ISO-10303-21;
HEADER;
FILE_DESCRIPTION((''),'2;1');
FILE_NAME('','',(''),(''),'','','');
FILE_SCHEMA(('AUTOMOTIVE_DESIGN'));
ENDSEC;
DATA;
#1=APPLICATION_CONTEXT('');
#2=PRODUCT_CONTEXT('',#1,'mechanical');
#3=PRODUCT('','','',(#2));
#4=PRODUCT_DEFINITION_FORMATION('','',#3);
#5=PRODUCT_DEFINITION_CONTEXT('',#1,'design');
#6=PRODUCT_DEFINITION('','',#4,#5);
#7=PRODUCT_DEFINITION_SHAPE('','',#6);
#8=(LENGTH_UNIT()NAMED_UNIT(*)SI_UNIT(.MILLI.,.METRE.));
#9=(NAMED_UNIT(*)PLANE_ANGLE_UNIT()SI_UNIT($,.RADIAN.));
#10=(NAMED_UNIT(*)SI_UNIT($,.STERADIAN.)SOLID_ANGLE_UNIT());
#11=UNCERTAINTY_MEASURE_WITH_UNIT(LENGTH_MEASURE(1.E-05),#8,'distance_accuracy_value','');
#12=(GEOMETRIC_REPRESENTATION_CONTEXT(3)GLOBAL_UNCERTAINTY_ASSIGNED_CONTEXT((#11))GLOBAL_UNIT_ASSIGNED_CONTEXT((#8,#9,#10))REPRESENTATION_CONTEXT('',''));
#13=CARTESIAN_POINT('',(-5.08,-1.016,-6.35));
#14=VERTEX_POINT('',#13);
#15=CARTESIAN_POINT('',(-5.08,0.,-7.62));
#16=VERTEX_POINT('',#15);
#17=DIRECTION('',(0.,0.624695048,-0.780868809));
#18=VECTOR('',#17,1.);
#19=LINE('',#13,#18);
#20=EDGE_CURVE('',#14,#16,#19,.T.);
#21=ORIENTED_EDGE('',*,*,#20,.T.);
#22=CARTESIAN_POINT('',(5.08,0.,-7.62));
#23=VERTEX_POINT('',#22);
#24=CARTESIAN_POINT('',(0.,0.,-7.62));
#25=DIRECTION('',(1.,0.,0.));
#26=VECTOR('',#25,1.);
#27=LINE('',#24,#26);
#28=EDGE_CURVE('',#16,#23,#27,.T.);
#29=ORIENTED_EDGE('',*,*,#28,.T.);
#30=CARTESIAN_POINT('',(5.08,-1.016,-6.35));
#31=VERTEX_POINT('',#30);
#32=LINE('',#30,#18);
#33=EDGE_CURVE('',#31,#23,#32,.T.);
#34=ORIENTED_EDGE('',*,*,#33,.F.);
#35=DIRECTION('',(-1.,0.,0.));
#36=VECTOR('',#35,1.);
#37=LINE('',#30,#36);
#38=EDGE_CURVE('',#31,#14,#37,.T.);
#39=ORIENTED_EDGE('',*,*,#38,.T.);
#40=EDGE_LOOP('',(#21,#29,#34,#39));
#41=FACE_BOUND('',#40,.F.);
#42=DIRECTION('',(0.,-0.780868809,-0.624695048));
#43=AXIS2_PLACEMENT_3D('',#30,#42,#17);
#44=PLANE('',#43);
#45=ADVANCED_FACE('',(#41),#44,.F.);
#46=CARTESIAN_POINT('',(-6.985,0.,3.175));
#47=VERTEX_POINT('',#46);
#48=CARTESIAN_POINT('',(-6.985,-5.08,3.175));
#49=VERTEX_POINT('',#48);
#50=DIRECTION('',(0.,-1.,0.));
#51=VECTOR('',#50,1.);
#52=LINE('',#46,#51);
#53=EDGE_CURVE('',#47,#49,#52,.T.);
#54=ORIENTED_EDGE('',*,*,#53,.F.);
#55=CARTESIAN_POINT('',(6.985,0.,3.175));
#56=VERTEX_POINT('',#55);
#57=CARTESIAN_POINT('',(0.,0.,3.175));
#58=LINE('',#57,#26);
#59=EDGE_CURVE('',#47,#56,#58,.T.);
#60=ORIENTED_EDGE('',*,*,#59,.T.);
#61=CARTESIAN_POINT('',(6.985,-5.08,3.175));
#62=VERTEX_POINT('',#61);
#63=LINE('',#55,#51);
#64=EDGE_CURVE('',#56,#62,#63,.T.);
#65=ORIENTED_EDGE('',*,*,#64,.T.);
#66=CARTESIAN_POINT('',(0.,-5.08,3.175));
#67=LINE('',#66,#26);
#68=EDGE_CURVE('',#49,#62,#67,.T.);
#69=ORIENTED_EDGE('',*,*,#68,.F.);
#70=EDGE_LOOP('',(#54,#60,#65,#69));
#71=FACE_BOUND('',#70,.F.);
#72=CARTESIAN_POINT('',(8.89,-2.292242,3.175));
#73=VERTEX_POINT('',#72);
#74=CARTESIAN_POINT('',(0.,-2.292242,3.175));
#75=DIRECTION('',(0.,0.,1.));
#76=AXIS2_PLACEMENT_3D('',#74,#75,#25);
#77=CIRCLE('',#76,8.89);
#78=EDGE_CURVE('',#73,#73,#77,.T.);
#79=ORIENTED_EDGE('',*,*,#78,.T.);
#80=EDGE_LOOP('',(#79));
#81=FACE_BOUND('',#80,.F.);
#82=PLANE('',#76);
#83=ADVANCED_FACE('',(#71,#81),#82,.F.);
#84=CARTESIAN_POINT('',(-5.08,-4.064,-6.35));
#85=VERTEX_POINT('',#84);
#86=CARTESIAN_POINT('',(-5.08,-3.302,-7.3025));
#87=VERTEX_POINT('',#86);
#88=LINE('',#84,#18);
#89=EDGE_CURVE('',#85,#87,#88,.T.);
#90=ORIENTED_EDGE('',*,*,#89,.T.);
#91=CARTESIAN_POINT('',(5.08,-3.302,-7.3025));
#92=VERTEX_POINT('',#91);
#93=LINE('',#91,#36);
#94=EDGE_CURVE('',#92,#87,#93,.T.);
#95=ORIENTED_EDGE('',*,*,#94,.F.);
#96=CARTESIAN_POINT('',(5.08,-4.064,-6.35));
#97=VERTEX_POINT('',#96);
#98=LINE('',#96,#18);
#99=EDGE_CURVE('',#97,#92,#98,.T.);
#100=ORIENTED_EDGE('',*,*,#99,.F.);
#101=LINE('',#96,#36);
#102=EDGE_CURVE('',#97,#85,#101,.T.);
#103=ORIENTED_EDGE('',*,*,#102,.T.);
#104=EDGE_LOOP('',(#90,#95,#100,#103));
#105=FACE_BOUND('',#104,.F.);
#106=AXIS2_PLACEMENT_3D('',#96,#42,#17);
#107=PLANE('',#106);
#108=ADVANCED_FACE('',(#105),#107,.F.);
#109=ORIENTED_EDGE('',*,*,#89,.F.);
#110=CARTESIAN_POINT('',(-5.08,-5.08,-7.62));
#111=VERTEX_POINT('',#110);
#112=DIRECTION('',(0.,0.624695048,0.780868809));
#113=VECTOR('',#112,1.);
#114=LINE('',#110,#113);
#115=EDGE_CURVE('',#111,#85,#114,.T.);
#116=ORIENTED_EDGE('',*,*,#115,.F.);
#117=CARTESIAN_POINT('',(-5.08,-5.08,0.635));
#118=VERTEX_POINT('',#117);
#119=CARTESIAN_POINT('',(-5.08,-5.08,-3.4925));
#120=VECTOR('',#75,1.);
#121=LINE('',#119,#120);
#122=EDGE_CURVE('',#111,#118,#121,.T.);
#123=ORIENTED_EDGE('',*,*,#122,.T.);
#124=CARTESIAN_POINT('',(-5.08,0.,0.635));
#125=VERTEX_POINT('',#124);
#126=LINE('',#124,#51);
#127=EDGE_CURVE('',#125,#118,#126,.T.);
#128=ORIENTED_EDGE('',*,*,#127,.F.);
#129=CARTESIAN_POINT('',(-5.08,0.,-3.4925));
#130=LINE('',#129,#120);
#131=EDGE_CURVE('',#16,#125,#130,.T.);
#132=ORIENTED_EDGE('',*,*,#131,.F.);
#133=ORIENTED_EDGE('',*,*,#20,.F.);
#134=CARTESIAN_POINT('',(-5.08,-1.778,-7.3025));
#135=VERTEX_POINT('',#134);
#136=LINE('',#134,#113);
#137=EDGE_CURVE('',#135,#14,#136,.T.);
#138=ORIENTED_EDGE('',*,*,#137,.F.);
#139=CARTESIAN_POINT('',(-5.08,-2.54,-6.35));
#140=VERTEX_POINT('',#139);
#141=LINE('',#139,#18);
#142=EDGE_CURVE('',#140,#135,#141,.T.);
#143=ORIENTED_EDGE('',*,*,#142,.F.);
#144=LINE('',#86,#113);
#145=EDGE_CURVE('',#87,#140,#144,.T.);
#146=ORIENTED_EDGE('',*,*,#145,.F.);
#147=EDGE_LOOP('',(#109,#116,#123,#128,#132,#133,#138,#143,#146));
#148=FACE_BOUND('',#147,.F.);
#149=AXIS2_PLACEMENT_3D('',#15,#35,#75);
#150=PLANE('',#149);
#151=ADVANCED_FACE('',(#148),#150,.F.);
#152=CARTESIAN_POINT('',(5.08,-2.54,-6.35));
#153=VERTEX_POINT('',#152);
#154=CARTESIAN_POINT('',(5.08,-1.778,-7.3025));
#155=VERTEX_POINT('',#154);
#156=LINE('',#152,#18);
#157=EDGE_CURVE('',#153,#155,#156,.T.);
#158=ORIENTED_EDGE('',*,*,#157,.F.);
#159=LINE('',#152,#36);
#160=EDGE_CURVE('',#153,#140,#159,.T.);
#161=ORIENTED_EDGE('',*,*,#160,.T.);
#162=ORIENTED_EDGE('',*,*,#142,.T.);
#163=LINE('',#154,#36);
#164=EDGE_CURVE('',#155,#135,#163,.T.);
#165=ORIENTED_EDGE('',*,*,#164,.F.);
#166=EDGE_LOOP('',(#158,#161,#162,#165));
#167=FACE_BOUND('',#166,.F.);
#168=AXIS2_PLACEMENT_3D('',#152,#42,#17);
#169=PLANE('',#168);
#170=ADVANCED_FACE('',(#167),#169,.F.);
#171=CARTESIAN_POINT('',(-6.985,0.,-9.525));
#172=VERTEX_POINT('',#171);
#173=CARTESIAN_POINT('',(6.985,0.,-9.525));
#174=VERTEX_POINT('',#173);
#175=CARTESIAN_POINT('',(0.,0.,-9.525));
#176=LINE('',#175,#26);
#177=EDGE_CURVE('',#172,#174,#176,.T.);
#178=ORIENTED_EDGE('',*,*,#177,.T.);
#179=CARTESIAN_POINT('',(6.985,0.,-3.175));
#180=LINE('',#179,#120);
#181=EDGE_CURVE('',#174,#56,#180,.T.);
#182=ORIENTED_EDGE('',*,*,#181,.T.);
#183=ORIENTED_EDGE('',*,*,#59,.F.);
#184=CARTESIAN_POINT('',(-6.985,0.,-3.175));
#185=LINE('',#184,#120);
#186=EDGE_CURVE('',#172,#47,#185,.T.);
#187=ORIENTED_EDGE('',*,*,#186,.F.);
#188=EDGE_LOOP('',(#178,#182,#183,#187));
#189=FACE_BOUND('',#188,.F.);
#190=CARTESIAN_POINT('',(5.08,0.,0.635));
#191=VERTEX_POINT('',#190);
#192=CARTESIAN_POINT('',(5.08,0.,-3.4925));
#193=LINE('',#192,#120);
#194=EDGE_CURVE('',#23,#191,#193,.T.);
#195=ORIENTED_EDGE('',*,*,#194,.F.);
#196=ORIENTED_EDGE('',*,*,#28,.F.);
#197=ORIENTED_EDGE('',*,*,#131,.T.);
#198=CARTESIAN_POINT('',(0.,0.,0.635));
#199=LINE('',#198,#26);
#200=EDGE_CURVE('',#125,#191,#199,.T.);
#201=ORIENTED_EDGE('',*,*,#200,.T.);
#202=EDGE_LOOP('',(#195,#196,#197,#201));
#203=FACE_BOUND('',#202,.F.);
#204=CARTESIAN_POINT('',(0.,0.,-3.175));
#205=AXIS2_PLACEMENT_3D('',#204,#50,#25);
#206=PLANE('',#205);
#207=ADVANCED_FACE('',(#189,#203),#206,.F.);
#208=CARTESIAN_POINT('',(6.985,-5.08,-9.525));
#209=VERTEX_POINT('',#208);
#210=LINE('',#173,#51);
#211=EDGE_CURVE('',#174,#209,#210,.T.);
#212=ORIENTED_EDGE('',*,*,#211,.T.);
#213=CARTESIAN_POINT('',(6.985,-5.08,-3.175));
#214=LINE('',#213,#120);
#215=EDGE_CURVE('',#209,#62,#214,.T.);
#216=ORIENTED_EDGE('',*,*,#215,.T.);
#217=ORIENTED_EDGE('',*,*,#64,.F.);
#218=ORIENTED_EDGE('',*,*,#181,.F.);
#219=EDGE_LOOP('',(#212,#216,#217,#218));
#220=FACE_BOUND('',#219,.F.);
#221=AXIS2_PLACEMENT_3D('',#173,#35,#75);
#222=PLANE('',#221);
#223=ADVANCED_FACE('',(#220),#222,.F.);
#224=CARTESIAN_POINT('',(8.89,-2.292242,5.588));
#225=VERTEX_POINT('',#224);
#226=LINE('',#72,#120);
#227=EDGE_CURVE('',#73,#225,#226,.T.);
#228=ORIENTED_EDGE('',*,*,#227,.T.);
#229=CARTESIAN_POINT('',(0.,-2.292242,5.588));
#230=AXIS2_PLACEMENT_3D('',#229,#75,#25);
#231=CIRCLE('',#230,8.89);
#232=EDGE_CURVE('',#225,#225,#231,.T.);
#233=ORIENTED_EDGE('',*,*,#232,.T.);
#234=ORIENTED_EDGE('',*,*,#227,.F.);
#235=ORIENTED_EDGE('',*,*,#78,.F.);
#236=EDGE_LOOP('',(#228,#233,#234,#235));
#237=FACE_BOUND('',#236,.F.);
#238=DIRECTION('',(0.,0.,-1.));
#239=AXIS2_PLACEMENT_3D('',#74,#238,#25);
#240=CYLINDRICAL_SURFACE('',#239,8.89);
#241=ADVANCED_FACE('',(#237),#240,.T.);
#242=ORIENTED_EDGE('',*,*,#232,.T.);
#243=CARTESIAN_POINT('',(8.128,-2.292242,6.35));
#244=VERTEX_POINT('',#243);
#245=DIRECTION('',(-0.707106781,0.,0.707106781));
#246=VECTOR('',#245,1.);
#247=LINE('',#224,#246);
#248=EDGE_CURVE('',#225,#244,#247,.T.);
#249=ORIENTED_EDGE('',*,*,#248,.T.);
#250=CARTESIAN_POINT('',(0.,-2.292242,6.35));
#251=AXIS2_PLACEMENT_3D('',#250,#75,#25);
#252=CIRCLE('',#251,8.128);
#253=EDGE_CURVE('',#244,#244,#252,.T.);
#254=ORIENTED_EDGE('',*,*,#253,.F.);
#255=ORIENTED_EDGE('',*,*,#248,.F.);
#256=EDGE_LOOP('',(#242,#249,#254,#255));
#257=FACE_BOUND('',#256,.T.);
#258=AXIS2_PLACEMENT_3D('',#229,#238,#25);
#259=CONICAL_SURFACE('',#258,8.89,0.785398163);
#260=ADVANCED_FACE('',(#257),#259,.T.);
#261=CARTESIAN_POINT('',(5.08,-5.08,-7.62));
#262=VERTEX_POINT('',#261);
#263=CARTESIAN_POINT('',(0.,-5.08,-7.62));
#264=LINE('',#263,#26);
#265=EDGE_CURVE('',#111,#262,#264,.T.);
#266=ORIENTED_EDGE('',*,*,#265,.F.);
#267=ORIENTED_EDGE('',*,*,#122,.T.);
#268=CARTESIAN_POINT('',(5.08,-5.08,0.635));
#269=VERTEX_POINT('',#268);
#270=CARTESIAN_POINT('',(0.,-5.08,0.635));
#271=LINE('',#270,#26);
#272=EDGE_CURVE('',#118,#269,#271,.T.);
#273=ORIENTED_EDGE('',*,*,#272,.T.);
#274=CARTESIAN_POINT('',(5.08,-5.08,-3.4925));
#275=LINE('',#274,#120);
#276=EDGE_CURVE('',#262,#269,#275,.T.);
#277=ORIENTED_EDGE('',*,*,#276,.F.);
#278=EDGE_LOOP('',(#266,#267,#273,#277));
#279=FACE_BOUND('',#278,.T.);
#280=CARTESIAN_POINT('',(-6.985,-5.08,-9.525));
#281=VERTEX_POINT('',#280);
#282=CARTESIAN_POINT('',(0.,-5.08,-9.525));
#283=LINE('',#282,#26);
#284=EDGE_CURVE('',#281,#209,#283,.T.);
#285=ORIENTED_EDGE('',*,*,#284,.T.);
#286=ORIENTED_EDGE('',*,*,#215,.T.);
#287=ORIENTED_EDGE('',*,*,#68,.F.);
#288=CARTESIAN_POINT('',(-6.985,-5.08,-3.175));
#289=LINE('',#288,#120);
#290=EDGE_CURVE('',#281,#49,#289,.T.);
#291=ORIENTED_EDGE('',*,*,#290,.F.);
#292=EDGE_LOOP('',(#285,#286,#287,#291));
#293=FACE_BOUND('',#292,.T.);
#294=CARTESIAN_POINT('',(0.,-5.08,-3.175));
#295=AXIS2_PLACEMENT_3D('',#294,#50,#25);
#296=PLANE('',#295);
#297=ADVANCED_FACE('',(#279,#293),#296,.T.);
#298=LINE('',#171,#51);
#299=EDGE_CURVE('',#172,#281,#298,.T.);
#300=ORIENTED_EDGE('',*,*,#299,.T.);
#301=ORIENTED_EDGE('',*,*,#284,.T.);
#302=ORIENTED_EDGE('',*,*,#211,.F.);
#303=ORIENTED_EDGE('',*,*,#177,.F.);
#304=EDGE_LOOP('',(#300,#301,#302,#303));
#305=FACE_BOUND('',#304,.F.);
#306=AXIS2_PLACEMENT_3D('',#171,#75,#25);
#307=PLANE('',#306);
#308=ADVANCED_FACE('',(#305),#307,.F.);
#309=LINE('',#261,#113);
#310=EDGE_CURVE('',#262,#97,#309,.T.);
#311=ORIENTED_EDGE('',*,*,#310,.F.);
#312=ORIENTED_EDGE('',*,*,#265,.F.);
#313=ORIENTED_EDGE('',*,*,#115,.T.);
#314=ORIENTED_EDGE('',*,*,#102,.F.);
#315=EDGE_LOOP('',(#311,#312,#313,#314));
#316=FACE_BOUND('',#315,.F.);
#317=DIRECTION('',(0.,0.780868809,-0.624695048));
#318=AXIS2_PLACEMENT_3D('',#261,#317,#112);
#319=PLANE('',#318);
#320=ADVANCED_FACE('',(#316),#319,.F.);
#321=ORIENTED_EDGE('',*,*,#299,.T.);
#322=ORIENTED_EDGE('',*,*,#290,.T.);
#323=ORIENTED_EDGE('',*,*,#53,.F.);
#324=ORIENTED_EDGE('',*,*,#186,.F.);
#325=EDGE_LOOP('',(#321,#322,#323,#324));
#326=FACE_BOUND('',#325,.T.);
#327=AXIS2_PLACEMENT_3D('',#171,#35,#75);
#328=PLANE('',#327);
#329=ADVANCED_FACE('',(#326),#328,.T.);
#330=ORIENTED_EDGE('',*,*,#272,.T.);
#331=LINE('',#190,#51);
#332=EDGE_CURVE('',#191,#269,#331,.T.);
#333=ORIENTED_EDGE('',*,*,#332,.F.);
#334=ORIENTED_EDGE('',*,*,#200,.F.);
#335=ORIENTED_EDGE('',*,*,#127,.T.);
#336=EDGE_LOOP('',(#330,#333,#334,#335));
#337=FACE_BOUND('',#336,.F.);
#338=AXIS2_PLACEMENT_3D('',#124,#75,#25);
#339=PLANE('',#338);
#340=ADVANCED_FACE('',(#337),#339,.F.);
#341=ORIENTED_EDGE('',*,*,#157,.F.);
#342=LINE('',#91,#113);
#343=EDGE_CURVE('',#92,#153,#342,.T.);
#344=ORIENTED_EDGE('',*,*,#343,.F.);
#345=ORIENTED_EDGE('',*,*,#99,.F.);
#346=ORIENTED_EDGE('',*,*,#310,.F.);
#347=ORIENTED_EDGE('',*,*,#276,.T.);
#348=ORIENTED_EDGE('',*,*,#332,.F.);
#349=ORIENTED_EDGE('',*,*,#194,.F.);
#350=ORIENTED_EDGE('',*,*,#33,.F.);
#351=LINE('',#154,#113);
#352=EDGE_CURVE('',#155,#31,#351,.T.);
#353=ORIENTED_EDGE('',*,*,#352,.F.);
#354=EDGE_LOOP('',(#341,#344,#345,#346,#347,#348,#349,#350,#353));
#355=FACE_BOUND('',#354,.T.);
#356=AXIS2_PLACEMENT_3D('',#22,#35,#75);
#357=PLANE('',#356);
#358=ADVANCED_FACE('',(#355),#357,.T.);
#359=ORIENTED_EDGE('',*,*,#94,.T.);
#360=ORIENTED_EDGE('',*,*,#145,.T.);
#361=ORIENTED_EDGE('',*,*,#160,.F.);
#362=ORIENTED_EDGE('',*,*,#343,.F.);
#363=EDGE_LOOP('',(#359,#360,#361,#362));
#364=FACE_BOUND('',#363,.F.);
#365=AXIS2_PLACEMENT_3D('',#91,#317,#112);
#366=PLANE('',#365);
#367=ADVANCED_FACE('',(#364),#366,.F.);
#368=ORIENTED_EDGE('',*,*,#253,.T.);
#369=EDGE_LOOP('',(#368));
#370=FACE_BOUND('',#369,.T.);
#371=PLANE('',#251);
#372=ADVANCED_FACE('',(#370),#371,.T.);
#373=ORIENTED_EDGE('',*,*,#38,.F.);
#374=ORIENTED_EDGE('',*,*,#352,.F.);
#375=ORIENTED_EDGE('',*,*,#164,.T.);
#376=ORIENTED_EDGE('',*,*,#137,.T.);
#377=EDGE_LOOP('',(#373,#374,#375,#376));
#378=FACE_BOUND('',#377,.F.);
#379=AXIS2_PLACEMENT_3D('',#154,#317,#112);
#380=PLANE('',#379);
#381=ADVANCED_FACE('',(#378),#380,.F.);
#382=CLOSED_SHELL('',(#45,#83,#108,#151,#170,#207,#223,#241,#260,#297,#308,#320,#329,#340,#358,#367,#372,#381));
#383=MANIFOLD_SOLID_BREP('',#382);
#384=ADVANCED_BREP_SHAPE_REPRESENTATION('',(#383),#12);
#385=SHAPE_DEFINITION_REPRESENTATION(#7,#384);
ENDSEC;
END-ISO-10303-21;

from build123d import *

# Parameters (mm, degrees)
F0_W     = 13.97
F0_H     = 12.7
F0_W_2   = 10.16
F0_H_2   = 8.255
F1_DEPTH = 5.08
F2_R     = 8.89
F3_DEPTH = 3.175
F4_SIZE  = 0.762
F6_DEPTH = 10.16


with BuildPart() as f1:
    # F0 (on Front) → F1 (new body)
    with BuildSketch(Plane.XZ):
        with Locations((0, -3.175)):
            Rectangle(F0_W, F0_H)
        with Locations((0, -3.4925)):
            Rectangle(F0_W_2, F0_H_2, mode=Mode.SUBTRACT)
    extrude(amount=F1_DEPTH)

    # F2 (on face) → F3 (join)
    with BuildSketch(Plane.XY.offset(3.175)):
        with Locations((0, -2.292242)):
            Circle(F2_R)
    extrude(amount=F3_DEPTH)

    # F4
    f4_edges = [f1.edges().sort_by_distance(p)[0] for p in [
        (-8.89, -2.292242, 6.35),
    ]]
    chamfer(f4_edges, length=F4_SIZE)

    # F5 (on face) → F6 (join)
    with BuildSketch(Plane(origin=(5.08, 0, 0), x_dir=(0, -1, 0), z_dir=(-1, 0, 0))):
        Polygon((0, -7.62), (5.08, -7.62), (4.064, -6.35), (3.302, -7.3025), (2.54, -6.35), (1.778, -7.3025), (1.016, -6.35), align=None)
    extrude(amount=F6_DEPTH)


solid = f1.part
